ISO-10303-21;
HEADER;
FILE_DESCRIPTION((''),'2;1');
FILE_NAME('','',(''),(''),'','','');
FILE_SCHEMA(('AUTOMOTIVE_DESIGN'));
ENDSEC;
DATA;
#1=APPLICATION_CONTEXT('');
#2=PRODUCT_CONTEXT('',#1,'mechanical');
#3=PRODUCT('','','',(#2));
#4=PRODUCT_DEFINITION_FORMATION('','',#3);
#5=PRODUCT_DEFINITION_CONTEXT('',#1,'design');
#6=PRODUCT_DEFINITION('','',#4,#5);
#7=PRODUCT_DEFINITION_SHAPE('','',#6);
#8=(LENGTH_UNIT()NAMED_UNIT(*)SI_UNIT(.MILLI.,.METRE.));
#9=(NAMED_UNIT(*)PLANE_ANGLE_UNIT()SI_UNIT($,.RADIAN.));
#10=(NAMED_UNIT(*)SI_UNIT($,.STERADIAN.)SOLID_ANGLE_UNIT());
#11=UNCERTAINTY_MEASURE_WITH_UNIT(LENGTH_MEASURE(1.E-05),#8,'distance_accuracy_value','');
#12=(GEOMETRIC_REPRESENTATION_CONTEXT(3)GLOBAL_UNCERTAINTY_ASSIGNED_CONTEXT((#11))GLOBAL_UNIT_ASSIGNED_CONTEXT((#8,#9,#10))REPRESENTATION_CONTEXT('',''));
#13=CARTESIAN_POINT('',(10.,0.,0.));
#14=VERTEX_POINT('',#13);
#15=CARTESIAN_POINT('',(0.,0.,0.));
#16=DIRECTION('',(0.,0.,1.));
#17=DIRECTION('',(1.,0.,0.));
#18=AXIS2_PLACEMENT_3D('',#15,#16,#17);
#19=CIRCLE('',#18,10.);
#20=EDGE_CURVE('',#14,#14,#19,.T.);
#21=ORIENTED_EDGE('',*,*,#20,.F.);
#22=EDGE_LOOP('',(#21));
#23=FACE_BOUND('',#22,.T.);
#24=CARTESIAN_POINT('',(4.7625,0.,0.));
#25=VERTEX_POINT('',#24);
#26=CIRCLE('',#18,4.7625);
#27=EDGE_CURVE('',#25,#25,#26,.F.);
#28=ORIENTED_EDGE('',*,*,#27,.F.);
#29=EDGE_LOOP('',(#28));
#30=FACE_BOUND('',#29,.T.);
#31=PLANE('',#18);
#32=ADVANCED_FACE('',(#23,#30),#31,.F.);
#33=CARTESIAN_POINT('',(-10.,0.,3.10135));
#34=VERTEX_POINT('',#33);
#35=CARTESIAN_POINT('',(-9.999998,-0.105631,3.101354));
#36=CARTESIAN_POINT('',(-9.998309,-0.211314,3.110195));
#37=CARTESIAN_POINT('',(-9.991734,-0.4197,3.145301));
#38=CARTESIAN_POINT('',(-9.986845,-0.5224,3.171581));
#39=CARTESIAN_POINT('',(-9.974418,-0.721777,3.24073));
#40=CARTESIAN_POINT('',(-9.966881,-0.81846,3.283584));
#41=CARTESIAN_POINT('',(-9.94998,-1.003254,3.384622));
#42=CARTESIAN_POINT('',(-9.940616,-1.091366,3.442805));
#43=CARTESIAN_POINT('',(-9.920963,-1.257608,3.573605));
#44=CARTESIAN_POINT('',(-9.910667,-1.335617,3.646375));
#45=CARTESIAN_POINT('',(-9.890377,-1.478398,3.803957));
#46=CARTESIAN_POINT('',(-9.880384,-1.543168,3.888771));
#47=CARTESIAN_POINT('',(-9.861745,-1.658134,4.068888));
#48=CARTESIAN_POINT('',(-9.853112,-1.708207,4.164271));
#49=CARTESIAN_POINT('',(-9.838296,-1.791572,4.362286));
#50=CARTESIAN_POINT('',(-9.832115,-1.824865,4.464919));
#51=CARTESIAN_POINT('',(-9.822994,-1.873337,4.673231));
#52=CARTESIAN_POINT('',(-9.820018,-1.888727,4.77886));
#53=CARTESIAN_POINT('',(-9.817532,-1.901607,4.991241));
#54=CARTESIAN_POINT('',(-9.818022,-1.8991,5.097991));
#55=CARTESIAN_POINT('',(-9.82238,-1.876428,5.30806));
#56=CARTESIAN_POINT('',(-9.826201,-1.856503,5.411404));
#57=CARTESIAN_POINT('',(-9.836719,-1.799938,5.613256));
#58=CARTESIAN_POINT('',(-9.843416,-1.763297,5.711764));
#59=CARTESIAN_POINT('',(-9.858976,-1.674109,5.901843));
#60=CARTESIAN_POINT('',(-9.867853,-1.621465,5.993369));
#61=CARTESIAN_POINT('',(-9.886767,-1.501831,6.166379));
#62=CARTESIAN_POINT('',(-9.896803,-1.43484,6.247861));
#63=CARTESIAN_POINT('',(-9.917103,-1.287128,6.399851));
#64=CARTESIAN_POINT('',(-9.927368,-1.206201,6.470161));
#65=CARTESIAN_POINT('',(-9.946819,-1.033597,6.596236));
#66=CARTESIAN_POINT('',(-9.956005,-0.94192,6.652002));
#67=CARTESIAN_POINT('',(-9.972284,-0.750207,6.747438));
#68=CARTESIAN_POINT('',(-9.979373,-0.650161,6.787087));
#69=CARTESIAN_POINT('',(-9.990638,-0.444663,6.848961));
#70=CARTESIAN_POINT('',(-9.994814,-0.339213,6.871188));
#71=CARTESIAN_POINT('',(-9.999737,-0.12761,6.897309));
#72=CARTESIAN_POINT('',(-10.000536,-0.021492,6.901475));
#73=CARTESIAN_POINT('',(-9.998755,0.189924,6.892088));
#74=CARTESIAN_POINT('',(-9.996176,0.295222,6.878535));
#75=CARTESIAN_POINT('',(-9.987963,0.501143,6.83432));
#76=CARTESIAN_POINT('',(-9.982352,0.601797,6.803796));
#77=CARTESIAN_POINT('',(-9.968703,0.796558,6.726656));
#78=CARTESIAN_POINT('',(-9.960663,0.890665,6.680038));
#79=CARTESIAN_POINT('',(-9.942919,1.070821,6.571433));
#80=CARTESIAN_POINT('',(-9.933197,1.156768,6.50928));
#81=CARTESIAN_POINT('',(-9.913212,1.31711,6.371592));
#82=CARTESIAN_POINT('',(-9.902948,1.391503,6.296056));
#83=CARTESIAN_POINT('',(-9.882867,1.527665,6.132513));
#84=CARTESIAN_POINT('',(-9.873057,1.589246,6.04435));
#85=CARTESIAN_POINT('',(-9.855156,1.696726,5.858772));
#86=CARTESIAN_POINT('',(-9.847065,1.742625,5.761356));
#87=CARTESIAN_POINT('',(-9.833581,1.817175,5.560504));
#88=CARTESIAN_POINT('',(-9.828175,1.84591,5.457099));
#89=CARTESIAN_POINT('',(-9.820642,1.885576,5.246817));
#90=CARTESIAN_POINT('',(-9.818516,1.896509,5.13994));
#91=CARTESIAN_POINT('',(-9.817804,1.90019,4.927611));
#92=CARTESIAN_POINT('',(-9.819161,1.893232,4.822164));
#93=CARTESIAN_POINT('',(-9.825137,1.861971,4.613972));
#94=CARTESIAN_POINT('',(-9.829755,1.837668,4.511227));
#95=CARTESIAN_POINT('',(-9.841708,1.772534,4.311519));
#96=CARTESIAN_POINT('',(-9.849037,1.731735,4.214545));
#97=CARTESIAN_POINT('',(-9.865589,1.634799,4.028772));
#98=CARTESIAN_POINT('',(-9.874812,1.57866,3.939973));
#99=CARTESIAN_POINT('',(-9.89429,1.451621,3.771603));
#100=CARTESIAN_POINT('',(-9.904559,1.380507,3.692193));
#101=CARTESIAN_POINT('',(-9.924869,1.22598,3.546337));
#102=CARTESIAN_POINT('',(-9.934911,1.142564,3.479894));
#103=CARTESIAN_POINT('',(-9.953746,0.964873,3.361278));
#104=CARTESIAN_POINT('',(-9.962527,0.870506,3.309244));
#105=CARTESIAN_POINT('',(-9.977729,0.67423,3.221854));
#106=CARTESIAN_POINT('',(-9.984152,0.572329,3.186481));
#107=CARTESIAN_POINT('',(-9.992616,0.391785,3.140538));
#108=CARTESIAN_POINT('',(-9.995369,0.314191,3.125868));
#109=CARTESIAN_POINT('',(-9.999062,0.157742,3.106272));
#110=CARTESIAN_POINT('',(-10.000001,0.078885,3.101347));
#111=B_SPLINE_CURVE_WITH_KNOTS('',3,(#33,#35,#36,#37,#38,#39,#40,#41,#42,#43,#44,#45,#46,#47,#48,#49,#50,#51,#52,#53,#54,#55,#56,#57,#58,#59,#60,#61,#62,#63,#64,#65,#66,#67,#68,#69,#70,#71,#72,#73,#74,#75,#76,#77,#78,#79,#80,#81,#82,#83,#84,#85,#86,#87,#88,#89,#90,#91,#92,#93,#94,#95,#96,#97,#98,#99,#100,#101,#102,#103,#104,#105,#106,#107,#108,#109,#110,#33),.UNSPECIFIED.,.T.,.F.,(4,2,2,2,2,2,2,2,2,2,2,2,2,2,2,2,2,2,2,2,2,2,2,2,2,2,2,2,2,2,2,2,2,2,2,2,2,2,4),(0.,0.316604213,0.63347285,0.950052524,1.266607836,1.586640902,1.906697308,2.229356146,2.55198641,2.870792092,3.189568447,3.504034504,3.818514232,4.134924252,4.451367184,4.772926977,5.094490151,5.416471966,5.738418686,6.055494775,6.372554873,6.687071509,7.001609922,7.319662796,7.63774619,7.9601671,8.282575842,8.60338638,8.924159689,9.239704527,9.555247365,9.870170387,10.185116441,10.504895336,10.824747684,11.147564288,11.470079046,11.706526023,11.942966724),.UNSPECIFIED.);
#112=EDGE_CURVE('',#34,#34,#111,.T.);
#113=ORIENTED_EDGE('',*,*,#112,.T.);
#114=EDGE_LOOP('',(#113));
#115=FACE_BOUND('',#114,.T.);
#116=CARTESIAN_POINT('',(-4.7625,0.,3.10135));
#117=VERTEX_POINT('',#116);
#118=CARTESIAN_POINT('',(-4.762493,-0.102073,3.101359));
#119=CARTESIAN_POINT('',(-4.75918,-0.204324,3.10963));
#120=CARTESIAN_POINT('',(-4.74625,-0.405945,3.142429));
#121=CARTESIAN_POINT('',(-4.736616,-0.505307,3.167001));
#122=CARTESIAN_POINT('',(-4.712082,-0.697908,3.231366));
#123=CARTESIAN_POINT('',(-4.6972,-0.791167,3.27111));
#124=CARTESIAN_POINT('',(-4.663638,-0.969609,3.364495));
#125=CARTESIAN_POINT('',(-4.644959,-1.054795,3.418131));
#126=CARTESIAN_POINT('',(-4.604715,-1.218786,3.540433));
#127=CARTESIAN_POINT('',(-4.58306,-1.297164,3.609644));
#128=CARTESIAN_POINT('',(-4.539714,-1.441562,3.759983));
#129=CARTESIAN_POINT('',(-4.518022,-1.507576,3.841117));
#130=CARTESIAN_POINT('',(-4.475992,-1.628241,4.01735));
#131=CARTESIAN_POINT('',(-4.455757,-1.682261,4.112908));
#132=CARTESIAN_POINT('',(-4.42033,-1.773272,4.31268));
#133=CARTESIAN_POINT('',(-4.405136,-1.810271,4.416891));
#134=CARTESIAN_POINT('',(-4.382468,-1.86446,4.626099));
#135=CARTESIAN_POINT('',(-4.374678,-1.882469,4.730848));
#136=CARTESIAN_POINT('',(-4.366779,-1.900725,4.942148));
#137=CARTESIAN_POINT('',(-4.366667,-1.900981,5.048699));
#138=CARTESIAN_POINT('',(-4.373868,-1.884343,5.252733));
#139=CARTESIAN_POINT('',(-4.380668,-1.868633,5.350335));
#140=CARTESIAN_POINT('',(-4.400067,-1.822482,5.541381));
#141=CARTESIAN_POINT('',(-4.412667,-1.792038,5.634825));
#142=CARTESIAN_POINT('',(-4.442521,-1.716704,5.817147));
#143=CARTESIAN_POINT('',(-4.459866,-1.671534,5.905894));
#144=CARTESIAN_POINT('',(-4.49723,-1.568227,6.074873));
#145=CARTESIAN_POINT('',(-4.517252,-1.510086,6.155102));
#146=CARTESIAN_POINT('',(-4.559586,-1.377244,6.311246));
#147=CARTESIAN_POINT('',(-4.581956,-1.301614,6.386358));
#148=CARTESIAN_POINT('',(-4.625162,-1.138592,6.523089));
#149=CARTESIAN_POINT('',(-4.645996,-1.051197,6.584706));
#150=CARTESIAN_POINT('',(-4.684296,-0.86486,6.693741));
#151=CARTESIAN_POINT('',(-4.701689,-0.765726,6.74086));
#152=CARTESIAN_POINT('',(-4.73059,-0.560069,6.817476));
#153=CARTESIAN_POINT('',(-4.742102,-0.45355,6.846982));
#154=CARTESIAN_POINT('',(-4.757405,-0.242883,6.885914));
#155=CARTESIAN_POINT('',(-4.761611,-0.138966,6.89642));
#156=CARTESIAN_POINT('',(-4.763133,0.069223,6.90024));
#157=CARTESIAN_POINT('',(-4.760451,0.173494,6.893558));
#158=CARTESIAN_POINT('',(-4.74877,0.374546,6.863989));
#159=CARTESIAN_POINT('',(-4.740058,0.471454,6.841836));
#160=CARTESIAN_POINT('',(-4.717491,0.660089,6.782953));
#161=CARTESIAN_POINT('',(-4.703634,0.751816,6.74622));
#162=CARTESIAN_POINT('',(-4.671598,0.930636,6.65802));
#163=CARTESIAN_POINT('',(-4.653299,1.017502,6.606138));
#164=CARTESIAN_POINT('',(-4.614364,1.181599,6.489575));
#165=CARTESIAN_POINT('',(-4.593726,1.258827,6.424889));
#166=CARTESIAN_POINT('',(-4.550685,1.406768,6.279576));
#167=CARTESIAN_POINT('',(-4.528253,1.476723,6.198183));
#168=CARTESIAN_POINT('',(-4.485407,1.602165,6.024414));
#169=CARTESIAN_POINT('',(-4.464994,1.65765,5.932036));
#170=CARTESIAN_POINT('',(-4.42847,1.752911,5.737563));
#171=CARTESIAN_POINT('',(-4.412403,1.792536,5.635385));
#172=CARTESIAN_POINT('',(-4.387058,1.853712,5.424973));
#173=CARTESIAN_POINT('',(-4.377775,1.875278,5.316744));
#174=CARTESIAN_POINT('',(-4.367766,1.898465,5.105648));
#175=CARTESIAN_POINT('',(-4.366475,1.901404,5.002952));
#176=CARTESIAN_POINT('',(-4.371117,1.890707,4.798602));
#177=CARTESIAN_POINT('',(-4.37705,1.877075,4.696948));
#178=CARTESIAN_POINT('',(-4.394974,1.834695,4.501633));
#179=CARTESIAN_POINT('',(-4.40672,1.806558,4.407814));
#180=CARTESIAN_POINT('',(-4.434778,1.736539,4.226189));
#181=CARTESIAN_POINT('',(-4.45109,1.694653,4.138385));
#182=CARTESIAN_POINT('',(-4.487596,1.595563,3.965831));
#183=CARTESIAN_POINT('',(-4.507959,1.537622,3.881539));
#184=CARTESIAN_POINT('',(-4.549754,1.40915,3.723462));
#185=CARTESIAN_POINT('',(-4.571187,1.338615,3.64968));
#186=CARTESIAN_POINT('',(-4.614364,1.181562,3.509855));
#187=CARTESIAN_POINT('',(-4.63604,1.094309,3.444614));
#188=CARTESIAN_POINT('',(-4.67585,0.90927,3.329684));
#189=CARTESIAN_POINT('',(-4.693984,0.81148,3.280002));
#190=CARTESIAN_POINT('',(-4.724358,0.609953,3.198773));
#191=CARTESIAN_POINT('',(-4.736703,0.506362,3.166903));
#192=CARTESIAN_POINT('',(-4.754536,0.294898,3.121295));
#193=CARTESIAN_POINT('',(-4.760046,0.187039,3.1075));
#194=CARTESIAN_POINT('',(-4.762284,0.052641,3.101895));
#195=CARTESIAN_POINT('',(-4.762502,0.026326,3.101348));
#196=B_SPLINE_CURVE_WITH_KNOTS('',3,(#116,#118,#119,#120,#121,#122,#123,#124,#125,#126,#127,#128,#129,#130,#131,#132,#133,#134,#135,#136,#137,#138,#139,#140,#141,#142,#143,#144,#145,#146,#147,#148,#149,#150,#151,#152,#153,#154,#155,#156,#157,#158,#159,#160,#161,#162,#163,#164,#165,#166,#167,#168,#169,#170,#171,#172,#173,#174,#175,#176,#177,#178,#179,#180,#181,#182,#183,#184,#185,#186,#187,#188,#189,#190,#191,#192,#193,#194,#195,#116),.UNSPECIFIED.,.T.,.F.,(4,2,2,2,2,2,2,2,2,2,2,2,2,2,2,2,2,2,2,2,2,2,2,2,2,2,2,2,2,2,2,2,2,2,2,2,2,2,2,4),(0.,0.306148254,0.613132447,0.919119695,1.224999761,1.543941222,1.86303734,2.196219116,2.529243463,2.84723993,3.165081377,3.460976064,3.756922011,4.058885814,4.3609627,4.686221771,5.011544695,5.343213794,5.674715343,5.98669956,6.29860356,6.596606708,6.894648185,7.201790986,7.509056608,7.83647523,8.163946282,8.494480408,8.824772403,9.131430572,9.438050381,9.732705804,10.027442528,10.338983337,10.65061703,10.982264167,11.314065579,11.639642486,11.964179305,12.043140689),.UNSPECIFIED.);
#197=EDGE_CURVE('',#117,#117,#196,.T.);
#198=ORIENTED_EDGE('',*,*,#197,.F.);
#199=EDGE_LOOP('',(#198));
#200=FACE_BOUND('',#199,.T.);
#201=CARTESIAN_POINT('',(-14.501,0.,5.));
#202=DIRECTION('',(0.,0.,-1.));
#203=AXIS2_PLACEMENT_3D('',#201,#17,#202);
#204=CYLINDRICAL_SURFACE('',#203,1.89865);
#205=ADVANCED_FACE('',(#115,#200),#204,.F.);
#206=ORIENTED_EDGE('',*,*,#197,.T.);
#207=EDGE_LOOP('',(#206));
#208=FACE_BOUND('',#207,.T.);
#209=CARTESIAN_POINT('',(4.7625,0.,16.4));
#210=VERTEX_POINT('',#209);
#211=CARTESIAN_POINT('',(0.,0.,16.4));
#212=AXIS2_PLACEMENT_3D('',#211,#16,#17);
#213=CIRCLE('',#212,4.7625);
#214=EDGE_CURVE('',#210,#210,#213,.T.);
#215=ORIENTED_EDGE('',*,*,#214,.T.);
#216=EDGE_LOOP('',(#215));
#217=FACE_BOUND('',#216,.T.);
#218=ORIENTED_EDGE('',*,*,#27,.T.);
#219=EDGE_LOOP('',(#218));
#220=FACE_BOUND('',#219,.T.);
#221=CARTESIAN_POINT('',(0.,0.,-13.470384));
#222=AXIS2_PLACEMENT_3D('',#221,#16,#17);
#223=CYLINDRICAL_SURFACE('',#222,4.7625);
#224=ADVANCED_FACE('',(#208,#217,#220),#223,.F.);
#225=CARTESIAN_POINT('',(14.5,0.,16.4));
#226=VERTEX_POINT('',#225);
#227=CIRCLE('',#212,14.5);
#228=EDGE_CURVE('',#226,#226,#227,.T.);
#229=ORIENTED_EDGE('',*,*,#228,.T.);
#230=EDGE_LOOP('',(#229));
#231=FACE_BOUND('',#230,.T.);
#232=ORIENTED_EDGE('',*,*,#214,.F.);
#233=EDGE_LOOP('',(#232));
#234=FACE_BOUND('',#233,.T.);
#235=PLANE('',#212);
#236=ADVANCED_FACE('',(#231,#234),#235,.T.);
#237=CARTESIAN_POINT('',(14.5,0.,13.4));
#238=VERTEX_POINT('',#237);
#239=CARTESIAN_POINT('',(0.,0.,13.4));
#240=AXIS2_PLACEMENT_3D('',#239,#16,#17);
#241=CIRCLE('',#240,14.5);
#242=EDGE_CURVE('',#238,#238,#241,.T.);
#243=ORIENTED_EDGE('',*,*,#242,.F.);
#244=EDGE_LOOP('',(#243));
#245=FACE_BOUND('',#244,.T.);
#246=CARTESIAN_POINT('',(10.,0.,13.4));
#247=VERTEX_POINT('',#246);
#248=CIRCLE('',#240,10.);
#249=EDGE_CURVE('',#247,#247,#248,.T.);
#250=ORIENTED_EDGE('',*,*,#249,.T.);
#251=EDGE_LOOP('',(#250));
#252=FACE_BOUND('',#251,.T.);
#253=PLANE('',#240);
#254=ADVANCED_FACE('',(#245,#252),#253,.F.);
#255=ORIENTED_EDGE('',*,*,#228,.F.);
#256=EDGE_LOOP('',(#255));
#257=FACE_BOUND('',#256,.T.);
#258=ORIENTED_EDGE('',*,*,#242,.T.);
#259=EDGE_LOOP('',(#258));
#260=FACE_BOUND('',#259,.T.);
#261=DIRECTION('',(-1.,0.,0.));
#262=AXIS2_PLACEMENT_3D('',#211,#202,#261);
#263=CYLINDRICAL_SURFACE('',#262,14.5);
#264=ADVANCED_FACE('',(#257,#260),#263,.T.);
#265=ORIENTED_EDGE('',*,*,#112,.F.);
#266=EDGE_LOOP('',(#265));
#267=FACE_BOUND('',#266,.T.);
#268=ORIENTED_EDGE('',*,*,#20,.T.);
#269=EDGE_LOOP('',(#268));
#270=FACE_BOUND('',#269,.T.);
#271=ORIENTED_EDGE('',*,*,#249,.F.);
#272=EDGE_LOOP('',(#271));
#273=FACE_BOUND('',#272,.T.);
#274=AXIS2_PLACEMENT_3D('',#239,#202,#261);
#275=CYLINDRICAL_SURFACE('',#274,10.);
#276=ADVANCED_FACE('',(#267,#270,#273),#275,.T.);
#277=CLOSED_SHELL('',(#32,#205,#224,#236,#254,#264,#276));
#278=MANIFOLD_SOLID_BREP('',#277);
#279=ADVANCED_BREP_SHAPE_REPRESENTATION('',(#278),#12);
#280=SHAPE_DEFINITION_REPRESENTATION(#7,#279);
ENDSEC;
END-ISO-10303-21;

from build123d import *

# Parameters (mm, degrees)
SKETCH1_R               = 10
BOSS_EXTRUDE1_DEPTH     = 13.4
SKETCH2_R               = 14.5
BOSS_EXTRUDE2_DEPTH     = 3
SKETCH3_R               = 4.7625
CUT_EXTRUDE1_DEPTH      = 16.4
CUT_EXTRUDE2_REACH      = 28.258
CUT_EXTRUDE2_END_RADIUS = 10
SKETCH4_R               = 1.89865


with BuildPart() as part:
    # Sketch1 → Boss-Extrude1 (new body)
    with BuildSketch(Plane.XY):
        Circle(SKETCH1_R)
    extrude(amount=BOSS_EXTRUDE1_DEPTH)

    # Sketch2 → Boss-Extrude2 (add)
    with BuildSketch(Plane.XY.offset(13.4)):
        Circle(SKETCH2_R)
    extrude(amount=BOSS_EXTRUDE2_DEPTH)

    # Sketch3 → Cut-Extrude1 (cut)
    with BuildSketch(Plane.XY.offset(16.4)):
        Circle(SKETCH3_R)
    extrude(amount=-CUT_EXTRUDE1_DEPTH, mode=Mode.SUBTRACT)

    # Cut-Extrude2: up to this cylinder (the profile starts inside it)
    cut_extrude2_end = Plane(origin=(0, 0, 5), z_dir=(0, 0, -1)) * Cylinder(CUT_EXTRUDE2_END_RADIUS, 77.516, mode=Mode.PRIVATE)
    # Sketch4 → Cut-Extrude2 (cut, up to the surface)
    with BuildSketch(Plane(origin=(0, 0, 0), x_dir=(0, 0, -1), z_dir=(1, 0, 0)), mode=Mode.PRIVATE) as cut_extrude2_sk1:
        with Locations((-5, 0)):
            Circle(SKETCH4_R)
    cut_extrude2_tool1 = extrude(cut_extrude2_sk1.sketch, amount=-CUT_EXTRUDE2_REACH, mode=Mode.PRIVATE) & cut_extrude2_end
    add(cut_extrude2_tool1.solids().sort_by_distance((0, 0, 5))[0], mode=Mode.SUBTRACT)


solid = part.part
